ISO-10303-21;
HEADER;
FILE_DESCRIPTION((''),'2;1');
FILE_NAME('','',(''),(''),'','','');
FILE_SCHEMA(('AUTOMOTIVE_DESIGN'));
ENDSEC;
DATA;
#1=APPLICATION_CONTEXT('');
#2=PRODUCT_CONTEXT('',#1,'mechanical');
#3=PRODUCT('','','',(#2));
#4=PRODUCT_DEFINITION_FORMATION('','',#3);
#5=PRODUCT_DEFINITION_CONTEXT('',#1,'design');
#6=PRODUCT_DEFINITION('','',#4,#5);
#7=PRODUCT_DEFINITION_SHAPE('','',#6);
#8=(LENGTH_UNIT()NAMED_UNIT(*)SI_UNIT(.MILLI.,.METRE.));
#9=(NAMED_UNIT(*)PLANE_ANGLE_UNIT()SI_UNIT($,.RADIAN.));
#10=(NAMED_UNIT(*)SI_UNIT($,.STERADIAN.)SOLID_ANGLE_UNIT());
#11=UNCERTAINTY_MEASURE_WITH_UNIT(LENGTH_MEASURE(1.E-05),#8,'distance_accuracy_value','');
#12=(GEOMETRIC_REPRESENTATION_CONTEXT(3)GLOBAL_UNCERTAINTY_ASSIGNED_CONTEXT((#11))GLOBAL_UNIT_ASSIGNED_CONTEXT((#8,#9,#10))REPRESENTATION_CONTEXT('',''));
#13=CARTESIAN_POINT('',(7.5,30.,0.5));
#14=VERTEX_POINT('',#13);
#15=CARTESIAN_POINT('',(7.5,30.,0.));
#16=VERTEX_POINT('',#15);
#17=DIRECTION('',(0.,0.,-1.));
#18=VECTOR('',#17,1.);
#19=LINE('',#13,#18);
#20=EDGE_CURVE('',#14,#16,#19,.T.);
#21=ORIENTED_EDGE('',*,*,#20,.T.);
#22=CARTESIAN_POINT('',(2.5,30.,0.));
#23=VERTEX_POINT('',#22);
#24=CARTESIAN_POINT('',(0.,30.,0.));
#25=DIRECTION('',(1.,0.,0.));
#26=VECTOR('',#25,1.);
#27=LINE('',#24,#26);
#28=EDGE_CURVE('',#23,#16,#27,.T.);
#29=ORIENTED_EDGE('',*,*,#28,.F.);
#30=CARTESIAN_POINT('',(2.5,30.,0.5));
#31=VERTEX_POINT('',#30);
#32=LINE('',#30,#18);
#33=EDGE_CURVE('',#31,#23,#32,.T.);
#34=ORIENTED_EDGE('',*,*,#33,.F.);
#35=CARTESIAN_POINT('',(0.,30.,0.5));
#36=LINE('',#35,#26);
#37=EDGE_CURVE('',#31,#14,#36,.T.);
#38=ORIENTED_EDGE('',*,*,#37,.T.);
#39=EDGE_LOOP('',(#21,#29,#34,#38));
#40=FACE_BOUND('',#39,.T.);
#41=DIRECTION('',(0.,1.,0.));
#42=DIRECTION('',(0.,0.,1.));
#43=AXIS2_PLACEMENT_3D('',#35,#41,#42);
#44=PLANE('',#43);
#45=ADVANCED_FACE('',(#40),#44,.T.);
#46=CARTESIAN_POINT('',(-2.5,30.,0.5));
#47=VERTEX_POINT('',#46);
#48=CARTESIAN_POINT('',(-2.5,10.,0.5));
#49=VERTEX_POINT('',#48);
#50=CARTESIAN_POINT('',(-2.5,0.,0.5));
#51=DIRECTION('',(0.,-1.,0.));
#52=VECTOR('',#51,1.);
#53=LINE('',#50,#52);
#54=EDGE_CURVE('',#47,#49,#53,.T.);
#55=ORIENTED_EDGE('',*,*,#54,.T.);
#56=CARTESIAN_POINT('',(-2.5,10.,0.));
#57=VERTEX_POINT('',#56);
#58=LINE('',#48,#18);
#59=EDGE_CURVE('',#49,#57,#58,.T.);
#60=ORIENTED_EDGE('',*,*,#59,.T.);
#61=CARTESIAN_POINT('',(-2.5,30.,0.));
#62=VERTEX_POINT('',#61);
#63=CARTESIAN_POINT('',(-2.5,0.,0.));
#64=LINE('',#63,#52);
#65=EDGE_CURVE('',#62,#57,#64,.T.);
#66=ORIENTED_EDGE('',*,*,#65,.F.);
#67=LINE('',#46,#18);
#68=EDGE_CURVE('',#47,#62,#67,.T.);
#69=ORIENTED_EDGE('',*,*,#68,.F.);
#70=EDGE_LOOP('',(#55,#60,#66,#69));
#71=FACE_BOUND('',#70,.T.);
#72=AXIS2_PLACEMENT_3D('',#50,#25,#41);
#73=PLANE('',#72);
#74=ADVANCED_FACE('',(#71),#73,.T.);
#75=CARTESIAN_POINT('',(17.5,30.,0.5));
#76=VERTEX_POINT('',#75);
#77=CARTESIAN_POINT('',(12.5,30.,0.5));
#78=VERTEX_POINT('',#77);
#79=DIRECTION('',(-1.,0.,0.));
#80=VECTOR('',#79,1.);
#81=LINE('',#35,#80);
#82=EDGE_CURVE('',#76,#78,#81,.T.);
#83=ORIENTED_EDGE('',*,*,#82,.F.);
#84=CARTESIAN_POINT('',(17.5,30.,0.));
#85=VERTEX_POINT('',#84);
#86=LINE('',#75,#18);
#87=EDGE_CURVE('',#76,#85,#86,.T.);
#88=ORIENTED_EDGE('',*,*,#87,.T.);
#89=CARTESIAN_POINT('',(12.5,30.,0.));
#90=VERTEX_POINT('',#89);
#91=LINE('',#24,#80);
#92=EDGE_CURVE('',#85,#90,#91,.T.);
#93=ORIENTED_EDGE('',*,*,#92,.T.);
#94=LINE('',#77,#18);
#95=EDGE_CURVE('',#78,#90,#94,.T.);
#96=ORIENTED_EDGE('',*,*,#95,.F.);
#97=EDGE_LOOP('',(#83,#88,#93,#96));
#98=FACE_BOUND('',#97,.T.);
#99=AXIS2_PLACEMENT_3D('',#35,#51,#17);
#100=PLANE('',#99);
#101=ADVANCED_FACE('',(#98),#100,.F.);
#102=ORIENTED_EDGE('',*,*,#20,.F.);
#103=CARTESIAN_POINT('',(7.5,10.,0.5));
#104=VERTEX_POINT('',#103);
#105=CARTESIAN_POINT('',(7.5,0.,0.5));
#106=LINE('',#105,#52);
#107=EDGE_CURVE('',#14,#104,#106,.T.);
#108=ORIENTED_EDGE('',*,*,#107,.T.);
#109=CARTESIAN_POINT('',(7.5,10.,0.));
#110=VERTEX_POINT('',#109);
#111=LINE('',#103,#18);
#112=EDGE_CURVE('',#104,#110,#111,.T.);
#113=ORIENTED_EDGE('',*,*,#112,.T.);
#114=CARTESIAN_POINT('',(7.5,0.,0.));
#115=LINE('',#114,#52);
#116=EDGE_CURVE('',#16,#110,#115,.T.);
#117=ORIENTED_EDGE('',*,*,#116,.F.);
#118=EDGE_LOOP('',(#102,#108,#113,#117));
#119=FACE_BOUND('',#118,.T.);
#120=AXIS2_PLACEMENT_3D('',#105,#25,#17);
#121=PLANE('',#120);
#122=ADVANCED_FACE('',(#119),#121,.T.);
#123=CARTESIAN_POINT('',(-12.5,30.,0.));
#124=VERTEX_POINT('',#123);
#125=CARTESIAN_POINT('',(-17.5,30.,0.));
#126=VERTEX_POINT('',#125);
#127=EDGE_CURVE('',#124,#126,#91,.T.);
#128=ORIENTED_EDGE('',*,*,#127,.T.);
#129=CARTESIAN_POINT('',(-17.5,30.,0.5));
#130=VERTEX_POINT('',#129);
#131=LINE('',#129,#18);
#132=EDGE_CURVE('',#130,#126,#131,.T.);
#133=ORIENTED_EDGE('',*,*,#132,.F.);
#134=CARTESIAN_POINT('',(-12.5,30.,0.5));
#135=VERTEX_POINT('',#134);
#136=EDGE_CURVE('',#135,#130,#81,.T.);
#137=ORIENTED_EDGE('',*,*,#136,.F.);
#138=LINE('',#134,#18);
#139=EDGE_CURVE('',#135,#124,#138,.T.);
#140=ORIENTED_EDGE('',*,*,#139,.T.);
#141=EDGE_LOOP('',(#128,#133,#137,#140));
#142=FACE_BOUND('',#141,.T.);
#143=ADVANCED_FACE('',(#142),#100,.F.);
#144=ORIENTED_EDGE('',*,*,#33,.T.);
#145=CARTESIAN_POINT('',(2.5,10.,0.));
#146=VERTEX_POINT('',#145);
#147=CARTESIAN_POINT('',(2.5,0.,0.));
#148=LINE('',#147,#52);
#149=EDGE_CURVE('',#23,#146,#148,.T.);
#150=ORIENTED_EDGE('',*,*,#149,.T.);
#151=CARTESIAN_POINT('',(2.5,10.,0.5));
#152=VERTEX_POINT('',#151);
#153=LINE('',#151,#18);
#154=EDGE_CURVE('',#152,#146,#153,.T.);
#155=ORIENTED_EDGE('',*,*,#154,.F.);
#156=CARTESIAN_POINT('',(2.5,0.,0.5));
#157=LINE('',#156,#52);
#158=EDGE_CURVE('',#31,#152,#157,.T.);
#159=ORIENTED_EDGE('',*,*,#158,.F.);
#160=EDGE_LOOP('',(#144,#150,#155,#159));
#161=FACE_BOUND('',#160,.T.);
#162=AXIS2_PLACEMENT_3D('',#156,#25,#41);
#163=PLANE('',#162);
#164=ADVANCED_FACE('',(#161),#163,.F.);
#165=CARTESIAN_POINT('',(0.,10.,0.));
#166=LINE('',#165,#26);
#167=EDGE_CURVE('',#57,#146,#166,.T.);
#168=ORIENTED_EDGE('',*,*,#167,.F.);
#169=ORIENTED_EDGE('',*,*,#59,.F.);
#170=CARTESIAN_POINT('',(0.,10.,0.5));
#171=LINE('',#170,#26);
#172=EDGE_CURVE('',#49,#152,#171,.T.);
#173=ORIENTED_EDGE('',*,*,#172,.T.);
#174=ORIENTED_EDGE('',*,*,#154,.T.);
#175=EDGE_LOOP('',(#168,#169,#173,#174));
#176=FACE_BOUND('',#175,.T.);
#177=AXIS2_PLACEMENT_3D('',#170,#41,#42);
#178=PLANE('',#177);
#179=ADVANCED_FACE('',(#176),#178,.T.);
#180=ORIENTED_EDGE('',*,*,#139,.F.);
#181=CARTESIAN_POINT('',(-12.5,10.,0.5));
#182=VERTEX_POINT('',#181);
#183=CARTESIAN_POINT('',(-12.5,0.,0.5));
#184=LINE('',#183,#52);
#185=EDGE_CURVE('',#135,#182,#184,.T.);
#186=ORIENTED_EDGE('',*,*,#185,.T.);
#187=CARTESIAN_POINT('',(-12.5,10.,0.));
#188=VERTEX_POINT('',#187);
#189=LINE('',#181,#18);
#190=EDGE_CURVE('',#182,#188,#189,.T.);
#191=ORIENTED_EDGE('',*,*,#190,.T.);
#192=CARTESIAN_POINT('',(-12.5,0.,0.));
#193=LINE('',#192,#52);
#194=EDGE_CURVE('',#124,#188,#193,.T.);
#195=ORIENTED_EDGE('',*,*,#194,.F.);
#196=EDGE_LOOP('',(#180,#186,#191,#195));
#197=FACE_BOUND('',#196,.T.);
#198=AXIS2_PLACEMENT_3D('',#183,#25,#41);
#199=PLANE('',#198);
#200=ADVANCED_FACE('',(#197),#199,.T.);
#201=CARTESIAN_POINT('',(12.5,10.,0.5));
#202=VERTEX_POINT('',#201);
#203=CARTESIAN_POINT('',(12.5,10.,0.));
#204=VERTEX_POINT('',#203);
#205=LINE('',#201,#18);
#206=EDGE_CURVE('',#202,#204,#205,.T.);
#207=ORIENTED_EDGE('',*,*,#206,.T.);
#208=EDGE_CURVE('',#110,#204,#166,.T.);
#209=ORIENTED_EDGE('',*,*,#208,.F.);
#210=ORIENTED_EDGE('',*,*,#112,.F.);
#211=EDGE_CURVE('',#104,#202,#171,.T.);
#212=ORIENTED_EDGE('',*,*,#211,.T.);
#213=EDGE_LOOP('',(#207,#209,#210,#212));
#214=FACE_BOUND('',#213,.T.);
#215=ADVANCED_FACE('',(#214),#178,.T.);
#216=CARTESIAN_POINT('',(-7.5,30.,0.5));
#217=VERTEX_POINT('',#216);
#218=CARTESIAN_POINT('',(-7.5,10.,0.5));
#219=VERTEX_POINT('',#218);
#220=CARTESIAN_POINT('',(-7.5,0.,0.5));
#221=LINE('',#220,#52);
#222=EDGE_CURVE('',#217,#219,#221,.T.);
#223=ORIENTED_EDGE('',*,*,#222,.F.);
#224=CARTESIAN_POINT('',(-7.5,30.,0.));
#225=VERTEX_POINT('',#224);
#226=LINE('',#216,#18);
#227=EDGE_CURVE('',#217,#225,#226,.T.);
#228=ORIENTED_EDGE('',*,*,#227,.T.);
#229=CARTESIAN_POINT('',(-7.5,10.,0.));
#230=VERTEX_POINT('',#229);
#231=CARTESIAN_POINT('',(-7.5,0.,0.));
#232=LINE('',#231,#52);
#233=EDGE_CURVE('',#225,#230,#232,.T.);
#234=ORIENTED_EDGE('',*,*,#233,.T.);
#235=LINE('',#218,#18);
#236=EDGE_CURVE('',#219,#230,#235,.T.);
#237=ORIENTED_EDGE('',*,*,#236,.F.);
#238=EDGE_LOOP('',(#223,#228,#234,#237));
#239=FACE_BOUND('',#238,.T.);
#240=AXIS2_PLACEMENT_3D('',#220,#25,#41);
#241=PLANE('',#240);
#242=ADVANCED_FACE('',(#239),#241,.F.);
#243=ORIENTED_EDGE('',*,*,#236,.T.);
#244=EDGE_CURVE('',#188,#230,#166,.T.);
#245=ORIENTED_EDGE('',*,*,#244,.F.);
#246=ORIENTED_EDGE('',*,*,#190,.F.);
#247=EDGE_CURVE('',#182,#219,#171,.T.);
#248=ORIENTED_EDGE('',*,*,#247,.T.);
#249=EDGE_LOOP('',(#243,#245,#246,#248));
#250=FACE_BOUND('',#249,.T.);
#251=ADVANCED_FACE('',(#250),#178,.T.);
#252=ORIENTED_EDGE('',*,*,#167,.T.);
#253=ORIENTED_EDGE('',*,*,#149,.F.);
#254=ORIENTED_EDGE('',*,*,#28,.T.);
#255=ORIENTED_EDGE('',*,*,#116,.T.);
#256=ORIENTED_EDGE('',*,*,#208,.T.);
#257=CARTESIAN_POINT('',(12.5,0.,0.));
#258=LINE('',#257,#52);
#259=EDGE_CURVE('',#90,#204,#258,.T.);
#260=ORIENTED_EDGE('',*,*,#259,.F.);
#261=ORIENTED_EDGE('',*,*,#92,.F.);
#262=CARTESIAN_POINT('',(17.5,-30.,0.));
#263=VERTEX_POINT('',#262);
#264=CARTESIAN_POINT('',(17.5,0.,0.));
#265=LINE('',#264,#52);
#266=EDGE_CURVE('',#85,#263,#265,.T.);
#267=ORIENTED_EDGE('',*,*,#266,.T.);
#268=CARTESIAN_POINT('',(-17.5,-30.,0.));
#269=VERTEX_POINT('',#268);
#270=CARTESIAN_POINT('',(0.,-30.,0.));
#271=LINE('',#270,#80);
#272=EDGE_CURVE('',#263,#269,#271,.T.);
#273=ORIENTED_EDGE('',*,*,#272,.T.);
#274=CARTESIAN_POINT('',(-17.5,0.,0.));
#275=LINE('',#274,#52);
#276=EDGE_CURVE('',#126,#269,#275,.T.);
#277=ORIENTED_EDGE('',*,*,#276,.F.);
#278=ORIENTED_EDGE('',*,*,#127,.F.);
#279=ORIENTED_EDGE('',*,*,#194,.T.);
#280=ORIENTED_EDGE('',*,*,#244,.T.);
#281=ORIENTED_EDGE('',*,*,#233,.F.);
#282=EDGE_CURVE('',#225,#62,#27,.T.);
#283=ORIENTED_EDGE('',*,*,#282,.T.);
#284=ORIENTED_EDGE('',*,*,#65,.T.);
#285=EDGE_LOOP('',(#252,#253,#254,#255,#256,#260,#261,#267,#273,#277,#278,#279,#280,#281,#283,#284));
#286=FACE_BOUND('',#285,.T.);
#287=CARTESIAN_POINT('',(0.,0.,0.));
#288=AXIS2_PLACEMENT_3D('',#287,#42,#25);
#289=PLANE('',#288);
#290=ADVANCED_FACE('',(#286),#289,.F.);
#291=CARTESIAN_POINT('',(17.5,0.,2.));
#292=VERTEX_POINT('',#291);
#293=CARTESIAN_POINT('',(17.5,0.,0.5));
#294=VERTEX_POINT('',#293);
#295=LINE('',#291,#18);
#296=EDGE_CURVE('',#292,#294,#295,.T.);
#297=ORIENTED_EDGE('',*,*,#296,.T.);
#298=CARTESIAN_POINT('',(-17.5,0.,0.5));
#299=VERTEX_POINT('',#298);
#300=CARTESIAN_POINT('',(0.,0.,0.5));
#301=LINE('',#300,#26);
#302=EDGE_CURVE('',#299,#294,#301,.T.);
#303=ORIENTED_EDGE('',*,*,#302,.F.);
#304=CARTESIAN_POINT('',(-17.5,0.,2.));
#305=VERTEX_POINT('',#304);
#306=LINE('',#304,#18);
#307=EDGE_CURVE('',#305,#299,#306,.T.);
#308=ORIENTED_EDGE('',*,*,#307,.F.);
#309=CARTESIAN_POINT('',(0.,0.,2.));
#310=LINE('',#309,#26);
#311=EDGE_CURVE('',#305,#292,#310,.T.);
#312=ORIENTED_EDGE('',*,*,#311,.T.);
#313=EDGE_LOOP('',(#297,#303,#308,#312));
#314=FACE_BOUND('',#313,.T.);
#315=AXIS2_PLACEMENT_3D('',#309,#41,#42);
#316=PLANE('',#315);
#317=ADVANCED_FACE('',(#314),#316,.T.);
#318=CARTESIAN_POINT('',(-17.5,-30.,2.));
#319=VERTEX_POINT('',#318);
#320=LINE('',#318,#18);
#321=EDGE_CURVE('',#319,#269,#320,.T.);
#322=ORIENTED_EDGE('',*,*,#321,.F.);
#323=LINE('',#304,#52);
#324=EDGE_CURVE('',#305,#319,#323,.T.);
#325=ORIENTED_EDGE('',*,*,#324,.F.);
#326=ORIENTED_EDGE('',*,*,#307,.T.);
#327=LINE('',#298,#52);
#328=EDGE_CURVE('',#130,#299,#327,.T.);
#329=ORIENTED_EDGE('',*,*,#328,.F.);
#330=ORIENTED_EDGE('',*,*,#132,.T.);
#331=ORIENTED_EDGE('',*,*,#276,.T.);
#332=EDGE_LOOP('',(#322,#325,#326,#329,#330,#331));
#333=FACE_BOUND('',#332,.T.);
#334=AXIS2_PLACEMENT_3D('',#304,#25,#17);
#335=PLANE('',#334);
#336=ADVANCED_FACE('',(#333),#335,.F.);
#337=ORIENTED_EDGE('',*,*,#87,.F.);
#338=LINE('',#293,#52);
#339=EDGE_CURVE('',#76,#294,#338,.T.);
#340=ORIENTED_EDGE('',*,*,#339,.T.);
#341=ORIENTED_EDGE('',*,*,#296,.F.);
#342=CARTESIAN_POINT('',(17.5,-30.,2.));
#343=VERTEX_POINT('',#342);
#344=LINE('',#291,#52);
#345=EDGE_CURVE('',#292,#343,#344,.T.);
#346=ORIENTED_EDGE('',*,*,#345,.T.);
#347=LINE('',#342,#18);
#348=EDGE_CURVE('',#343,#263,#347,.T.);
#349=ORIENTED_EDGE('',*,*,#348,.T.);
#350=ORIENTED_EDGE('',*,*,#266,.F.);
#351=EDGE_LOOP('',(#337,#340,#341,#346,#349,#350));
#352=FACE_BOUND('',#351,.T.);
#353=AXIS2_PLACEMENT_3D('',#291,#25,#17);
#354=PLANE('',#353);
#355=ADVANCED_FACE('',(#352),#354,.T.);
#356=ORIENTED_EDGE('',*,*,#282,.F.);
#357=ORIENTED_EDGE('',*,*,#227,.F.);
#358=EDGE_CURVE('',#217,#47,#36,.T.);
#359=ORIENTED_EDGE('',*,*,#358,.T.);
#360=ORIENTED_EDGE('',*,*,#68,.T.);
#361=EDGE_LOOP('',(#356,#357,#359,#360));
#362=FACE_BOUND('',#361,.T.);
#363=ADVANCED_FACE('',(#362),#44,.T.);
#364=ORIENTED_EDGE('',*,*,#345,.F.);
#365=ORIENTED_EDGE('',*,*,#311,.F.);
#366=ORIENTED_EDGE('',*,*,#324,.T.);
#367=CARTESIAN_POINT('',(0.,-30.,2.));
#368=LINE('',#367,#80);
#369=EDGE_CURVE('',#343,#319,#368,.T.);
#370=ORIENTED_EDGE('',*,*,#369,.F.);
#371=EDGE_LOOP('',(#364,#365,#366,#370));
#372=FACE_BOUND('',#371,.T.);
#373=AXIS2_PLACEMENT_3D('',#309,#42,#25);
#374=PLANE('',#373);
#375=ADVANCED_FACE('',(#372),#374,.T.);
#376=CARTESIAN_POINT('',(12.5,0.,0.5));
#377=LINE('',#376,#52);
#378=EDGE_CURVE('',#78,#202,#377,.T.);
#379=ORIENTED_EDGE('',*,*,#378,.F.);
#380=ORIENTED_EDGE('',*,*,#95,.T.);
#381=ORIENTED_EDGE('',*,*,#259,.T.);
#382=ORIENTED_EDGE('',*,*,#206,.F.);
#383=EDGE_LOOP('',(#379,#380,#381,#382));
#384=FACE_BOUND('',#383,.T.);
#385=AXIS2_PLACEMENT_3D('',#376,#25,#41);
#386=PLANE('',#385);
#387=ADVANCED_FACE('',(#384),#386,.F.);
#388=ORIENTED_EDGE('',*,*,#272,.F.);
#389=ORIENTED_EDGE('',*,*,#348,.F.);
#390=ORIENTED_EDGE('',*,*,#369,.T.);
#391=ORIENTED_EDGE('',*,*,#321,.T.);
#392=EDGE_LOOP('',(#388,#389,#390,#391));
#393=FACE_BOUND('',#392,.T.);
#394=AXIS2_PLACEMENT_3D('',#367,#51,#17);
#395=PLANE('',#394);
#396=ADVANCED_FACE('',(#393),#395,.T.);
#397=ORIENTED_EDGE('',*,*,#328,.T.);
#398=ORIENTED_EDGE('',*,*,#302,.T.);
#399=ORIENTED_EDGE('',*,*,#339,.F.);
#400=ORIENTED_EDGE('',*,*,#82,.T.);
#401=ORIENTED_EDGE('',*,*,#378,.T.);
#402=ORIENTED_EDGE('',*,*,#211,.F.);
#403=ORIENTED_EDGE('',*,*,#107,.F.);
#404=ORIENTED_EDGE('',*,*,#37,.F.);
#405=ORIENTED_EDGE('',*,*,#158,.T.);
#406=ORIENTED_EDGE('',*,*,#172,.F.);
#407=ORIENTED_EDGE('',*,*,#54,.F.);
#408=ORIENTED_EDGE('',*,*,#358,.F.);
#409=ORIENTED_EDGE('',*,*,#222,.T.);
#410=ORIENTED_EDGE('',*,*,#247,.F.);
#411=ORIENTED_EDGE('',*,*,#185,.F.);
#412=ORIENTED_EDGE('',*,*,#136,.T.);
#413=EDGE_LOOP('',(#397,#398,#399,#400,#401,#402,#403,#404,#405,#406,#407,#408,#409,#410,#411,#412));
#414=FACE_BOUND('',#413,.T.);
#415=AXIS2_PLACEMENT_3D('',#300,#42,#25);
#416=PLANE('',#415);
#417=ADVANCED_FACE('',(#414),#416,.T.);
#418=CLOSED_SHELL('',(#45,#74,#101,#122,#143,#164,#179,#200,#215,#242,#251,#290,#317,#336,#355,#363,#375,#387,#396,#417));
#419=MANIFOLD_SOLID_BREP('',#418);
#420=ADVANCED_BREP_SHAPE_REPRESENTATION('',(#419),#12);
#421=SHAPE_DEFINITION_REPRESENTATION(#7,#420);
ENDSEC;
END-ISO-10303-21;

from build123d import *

# Parameters (mm, degrees)
SKETCH1_W           = 35
SKETCH1_H           = 30
BOSS_EXTRUDE5_DEPTH = 2
BOSS_EXTRUDE6_DEPTH = 0.5


with BuildPart() as part:
    # Sketch1 → Boss-Extrude5 (new body)
    with BuildSketch(Plane.XY):
        with Locations((0, -15)):
            Rectangle(SKETCH1_W, SKETCH1_H)
    extrude(amount=BOSS_EXTRUDE5_DEPTH)

    # Sketch1<7> → Boss-Extrude6 (add)
    with BuildSketch(Plane.XY):
        Polygon((-12.5, 10), (-12.5, 30), (-17.5, 30), (-17.5, 10), (-17.5, 0), (17.5, 0), (17.5, 10), (17.5, 30), (12.5, 30), (12.5, 10), (7.5, 10), (7.5, 30), (2.5, 30), (2.5, 10), (-2.5, 10), (-2.5, 30), (-7.5, 30), (-7.5, 10), align=None)
    extrude(amount=BOSS_EXTRUDE6_DEPTH)


solid = part.part
